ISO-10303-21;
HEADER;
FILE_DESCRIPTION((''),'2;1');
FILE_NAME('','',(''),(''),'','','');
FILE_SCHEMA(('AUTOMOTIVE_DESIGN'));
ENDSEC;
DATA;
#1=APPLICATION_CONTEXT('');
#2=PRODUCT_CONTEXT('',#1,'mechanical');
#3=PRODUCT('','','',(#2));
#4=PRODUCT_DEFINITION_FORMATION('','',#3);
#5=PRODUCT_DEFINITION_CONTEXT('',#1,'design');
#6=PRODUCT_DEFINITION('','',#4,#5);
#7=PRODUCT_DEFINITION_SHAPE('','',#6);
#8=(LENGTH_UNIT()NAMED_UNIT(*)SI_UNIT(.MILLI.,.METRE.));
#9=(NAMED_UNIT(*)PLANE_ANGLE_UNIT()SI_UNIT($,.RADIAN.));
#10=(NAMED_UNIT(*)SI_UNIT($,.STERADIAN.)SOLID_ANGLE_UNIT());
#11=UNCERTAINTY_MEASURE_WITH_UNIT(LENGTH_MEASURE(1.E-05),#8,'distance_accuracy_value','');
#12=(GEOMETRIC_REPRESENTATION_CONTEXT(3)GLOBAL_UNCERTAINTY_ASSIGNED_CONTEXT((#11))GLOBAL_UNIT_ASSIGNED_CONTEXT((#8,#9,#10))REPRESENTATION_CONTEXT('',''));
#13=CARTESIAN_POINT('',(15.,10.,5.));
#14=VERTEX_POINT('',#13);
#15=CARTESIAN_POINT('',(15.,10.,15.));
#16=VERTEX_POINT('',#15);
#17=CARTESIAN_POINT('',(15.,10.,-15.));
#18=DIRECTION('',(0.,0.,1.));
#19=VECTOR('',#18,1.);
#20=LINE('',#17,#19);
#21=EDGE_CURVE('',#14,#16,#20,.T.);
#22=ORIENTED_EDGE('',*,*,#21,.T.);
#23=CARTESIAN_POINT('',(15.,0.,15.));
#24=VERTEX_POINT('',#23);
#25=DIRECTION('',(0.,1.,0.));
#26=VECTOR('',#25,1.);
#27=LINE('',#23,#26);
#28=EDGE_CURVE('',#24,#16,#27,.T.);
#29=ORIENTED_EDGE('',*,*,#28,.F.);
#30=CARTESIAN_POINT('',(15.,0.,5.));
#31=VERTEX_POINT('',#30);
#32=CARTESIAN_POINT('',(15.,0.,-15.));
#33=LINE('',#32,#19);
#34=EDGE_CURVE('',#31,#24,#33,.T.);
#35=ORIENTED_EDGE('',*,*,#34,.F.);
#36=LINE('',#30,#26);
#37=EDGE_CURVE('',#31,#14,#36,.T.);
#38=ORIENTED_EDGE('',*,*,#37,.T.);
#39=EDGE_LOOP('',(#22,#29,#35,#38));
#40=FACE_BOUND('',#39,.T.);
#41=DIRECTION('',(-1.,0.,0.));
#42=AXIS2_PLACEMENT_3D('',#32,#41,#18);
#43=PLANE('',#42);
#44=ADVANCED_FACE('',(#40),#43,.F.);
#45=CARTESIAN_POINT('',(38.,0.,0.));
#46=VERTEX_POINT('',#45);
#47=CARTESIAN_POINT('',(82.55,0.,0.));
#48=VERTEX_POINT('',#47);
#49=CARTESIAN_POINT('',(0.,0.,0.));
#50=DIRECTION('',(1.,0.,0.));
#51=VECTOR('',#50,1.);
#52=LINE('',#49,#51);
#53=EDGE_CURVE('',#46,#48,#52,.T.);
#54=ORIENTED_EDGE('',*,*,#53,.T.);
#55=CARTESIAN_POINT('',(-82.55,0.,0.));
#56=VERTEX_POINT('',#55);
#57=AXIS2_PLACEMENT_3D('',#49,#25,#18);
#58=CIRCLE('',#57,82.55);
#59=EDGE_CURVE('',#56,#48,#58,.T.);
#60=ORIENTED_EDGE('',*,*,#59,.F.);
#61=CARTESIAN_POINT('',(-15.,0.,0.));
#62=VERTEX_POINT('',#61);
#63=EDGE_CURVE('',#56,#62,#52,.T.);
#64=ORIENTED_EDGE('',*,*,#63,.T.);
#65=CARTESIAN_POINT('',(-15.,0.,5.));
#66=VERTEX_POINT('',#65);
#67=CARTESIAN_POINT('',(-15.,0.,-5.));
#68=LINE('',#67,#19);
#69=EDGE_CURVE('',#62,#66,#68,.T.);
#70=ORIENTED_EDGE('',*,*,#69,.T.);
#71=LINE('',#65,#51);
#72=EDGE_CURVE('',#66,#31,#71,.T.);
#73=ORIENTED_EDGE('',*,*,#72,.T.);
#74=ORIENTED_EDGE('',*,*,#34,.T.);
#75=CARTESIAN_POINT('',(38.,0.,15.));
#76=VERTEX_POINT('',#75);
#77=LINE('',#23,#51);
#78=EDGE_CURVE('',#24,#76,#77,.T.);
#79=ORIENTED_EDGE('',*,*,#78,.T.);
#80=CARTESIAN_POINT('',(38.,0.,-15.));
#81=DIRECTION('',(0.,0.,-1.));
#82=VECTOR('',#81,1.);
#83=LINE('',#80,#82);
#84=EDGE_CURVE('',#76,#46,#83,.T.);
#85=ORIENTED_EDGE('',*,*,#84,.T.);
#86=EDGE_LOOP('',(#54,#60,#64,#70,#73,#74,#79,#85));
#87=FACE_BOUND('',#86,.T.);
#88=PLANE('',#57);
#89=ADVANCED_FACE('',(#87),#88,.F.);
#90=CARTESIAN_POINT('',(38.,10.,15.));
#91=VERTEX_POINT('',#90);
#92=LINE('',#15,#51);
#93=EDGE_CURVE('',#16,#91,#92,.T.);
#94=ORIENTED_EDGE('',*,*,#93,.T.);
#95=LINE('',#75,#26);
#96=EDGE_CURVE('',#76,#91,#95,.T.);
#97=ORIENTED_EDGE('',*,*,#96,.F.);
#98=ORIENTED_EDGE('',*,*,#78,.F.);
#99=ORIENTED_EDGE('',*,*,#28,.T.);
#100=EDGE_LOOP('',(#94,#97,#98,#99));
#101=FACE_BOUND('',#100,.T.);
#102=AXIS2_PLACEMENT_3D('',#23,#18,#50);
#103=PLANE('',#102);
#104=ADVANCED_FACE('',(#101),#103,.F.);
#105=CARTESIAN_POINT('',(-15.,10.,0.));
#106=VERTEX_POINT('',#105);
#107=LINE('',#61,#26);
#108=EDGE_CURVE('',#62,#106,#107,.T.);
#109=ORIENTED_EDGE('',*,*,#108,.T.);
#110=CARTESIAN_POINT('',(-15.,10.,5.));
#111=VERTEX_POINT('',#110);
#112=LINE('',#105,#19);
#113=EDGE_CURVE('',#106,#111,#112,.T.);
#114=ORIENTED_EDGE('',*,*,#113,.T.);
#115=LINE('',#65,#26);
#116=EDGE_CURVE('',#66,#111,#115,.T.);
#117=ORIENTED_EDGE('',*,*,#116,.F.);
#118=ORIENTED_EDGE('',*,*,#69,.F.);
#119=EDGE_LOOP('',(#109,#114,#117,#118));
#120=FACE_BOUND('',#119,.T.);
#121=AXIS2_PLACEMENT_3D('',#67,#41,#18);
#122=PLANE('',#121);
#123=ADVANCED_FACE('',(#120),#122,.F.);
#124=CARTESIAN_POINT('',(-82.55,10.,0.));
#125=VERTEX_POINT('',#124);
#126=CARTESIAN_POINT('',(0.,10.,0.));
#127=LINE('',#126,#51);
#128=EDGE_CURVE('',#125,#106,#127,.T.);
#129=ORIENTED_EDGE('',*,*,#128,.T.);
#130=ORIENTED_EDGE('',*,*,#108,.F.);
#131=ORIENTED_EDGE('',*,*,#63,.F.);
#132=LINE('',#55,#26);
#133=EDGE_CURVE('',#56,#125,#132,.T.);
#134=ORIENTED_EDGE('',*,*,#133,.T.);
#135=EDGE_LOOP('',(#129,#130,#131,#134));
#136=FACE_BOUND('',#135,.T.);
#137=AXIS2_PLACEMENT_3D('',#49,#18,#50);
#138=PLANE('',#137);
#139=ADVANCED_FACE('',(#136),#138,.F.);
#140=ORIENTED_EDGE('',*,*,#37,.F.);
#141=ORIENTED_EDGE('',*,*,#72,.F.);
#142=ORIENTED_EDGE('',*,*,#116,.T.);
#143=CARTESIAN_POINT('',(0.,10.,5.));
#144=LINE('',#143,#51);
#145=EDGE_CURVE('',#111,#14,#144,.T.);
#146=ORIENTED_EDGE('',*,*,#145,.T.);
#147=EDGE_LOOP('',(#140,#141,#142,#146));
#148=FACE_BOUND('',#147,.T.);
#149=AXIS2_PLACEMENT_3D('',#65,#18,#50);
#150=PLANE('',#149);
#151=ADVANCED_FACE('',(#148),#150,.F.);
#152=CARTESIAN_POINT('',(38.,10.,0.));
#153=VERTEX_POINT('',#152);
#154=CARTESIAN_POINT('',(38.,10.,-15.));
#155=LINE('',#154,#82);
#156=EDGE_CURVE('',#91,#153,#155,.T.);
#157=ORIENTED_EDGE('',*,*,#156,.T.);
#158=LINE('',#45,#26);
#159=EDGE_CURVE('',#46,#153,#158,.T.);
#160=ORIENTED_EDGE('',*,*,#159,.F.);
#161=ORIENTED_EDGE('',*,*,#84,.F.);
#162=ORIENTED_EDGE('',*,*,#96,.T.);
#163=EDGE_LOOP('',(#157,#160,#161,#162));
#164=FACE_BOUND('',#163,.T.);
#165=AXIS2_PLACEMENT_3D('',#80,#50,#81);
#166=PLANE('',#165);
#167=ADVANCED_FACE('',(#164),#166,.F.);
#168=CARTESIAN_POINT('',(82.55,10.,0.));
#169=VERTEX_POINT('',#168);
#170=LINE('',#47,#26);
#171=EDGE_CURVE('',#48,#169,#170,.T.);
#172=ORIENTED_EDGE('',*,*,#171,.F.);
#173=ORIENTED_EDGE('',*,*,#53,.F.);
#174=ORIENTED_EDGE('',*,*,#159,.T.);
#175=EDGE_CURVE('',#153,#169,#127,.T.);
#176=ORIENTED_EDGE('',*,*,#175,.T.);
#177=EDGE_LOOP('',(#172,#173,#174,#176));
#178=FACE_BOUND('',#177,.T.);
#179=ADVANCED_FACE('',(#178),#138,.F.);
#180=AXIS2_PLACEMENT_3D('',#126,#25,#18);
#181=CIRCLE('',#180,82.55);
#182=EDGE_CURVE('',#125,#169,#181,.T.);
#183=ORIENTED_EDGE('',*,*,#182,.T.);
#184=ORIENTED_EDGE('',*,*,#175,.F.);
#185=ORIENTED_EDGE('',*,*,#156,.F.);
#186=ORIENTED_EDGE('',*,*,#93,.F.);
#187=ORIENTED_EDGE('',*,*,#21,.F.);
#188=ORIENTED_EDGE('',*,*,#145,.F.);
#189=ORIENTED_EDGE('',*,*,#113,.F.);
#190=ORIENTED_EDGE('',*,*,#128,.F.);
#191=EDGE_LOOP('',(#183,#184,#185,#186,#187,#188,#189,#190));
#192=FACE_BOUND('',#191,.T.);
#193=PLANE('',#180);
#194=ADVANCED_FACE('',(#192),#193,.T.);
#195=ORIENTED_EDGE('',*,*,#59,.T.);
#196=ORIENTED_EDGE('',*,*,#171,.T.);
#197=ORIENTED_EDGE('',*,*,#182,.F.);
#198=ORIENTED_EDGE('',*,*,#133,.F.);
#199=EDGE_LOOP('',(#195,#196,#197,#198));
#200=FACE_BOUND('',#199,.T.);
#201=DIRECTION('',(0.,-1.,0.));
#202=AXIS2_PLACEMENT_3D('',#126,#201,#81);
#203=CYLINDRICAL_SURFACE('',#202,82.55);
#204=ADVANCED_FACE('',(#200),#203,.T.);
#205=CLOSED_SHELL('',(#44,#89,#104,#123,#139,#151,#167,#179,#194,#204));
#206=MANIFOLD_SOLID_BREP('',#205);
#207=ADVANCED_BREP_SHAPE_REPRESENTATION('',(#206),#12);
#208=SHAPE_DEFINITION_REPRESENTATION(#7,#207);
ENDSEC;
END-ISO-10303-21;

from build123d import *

# Parameters (mm, degrees)
SKETCH1_R           = 82.55
BOSS_EXTRUDE1_DEPTH = 10
SKETCH2_W           = 30
SKETCH2_H           = 10
CUT_EXTRUDE1_DEPTH  = 13
CUT_EXTRUDE2_START  = -10
CUT_EXTRUDE2_DEPTH  = 10
SKETCH5_W           = 23
SKETCH5_H           = 30
CUT_EXTRUDE4_DEPTH  = 10


with BuildPart() as part:
    # Sketch1 → Boss-Extrude1 (new body)
    with BuildSketch(Plane(origin=(0, 0, 0), x_dir=(1, 0, 0), z_dir=(0, 1, 0))):
        with Locations(Location((0, 0, 0), (0, 0, 270))):
            Circle(SKETCH1_R)
    extrude(amount=BOSS_EXTRUDE1_DEPTH)

    # Sketch2 → Cut-Extrude1 (cut)
    with BuildSketch(Plane(origin=(0, 13, 0), x_dir=(1, 0, 0), z_dir=(0, 1, 0))):
        Rectangle(SKETCH2_W, SKETCH2_H)
    extrude(amount=-CUT_EXTRUDE1_DEPTH, mode=Mode.SUBTRACT)

    # Sketch3 → Cut-Extrude2 (cut)
    with BuildSketch(Plane(origin=(0, 10, 0), x_dir=(1, 0, 0), z_dir=(0, 1, 0)).offset(CUT_EXTRUDE2_START)):
        with BuildLine():
            ThreePointArc((82.55, 0), (0, 82.55), (-82.55, 0))
            Line((-82.55, 0), (-15, 0))
            Line((-15, 0), (-15, 5))
            Line((-15, 5), (15, 5))
            Line((15, 5), (15, 0))
            Line((15, 0), (82.55, 0))
        make_face()
    extrude(amount=CUT_EXTRUDE2_DEPTH, mode=Mode.SUBTRACT)

    # Sketch5 → Cut-Extrude4 (cut)
    with BuildSketch(Plane(origin=(0, 10, 0), x_dir=(1, 0, 0), z_dir=(0, 1, 0))):
        with Locations((26.5, 0)):
            Rectangle(SKETCH5_W, SKETCH5_H)
    extrude(amount=-CUT_EXTRUDE4_DEPTH, mode=Mode.SUBTRACT)


solid = part.part
